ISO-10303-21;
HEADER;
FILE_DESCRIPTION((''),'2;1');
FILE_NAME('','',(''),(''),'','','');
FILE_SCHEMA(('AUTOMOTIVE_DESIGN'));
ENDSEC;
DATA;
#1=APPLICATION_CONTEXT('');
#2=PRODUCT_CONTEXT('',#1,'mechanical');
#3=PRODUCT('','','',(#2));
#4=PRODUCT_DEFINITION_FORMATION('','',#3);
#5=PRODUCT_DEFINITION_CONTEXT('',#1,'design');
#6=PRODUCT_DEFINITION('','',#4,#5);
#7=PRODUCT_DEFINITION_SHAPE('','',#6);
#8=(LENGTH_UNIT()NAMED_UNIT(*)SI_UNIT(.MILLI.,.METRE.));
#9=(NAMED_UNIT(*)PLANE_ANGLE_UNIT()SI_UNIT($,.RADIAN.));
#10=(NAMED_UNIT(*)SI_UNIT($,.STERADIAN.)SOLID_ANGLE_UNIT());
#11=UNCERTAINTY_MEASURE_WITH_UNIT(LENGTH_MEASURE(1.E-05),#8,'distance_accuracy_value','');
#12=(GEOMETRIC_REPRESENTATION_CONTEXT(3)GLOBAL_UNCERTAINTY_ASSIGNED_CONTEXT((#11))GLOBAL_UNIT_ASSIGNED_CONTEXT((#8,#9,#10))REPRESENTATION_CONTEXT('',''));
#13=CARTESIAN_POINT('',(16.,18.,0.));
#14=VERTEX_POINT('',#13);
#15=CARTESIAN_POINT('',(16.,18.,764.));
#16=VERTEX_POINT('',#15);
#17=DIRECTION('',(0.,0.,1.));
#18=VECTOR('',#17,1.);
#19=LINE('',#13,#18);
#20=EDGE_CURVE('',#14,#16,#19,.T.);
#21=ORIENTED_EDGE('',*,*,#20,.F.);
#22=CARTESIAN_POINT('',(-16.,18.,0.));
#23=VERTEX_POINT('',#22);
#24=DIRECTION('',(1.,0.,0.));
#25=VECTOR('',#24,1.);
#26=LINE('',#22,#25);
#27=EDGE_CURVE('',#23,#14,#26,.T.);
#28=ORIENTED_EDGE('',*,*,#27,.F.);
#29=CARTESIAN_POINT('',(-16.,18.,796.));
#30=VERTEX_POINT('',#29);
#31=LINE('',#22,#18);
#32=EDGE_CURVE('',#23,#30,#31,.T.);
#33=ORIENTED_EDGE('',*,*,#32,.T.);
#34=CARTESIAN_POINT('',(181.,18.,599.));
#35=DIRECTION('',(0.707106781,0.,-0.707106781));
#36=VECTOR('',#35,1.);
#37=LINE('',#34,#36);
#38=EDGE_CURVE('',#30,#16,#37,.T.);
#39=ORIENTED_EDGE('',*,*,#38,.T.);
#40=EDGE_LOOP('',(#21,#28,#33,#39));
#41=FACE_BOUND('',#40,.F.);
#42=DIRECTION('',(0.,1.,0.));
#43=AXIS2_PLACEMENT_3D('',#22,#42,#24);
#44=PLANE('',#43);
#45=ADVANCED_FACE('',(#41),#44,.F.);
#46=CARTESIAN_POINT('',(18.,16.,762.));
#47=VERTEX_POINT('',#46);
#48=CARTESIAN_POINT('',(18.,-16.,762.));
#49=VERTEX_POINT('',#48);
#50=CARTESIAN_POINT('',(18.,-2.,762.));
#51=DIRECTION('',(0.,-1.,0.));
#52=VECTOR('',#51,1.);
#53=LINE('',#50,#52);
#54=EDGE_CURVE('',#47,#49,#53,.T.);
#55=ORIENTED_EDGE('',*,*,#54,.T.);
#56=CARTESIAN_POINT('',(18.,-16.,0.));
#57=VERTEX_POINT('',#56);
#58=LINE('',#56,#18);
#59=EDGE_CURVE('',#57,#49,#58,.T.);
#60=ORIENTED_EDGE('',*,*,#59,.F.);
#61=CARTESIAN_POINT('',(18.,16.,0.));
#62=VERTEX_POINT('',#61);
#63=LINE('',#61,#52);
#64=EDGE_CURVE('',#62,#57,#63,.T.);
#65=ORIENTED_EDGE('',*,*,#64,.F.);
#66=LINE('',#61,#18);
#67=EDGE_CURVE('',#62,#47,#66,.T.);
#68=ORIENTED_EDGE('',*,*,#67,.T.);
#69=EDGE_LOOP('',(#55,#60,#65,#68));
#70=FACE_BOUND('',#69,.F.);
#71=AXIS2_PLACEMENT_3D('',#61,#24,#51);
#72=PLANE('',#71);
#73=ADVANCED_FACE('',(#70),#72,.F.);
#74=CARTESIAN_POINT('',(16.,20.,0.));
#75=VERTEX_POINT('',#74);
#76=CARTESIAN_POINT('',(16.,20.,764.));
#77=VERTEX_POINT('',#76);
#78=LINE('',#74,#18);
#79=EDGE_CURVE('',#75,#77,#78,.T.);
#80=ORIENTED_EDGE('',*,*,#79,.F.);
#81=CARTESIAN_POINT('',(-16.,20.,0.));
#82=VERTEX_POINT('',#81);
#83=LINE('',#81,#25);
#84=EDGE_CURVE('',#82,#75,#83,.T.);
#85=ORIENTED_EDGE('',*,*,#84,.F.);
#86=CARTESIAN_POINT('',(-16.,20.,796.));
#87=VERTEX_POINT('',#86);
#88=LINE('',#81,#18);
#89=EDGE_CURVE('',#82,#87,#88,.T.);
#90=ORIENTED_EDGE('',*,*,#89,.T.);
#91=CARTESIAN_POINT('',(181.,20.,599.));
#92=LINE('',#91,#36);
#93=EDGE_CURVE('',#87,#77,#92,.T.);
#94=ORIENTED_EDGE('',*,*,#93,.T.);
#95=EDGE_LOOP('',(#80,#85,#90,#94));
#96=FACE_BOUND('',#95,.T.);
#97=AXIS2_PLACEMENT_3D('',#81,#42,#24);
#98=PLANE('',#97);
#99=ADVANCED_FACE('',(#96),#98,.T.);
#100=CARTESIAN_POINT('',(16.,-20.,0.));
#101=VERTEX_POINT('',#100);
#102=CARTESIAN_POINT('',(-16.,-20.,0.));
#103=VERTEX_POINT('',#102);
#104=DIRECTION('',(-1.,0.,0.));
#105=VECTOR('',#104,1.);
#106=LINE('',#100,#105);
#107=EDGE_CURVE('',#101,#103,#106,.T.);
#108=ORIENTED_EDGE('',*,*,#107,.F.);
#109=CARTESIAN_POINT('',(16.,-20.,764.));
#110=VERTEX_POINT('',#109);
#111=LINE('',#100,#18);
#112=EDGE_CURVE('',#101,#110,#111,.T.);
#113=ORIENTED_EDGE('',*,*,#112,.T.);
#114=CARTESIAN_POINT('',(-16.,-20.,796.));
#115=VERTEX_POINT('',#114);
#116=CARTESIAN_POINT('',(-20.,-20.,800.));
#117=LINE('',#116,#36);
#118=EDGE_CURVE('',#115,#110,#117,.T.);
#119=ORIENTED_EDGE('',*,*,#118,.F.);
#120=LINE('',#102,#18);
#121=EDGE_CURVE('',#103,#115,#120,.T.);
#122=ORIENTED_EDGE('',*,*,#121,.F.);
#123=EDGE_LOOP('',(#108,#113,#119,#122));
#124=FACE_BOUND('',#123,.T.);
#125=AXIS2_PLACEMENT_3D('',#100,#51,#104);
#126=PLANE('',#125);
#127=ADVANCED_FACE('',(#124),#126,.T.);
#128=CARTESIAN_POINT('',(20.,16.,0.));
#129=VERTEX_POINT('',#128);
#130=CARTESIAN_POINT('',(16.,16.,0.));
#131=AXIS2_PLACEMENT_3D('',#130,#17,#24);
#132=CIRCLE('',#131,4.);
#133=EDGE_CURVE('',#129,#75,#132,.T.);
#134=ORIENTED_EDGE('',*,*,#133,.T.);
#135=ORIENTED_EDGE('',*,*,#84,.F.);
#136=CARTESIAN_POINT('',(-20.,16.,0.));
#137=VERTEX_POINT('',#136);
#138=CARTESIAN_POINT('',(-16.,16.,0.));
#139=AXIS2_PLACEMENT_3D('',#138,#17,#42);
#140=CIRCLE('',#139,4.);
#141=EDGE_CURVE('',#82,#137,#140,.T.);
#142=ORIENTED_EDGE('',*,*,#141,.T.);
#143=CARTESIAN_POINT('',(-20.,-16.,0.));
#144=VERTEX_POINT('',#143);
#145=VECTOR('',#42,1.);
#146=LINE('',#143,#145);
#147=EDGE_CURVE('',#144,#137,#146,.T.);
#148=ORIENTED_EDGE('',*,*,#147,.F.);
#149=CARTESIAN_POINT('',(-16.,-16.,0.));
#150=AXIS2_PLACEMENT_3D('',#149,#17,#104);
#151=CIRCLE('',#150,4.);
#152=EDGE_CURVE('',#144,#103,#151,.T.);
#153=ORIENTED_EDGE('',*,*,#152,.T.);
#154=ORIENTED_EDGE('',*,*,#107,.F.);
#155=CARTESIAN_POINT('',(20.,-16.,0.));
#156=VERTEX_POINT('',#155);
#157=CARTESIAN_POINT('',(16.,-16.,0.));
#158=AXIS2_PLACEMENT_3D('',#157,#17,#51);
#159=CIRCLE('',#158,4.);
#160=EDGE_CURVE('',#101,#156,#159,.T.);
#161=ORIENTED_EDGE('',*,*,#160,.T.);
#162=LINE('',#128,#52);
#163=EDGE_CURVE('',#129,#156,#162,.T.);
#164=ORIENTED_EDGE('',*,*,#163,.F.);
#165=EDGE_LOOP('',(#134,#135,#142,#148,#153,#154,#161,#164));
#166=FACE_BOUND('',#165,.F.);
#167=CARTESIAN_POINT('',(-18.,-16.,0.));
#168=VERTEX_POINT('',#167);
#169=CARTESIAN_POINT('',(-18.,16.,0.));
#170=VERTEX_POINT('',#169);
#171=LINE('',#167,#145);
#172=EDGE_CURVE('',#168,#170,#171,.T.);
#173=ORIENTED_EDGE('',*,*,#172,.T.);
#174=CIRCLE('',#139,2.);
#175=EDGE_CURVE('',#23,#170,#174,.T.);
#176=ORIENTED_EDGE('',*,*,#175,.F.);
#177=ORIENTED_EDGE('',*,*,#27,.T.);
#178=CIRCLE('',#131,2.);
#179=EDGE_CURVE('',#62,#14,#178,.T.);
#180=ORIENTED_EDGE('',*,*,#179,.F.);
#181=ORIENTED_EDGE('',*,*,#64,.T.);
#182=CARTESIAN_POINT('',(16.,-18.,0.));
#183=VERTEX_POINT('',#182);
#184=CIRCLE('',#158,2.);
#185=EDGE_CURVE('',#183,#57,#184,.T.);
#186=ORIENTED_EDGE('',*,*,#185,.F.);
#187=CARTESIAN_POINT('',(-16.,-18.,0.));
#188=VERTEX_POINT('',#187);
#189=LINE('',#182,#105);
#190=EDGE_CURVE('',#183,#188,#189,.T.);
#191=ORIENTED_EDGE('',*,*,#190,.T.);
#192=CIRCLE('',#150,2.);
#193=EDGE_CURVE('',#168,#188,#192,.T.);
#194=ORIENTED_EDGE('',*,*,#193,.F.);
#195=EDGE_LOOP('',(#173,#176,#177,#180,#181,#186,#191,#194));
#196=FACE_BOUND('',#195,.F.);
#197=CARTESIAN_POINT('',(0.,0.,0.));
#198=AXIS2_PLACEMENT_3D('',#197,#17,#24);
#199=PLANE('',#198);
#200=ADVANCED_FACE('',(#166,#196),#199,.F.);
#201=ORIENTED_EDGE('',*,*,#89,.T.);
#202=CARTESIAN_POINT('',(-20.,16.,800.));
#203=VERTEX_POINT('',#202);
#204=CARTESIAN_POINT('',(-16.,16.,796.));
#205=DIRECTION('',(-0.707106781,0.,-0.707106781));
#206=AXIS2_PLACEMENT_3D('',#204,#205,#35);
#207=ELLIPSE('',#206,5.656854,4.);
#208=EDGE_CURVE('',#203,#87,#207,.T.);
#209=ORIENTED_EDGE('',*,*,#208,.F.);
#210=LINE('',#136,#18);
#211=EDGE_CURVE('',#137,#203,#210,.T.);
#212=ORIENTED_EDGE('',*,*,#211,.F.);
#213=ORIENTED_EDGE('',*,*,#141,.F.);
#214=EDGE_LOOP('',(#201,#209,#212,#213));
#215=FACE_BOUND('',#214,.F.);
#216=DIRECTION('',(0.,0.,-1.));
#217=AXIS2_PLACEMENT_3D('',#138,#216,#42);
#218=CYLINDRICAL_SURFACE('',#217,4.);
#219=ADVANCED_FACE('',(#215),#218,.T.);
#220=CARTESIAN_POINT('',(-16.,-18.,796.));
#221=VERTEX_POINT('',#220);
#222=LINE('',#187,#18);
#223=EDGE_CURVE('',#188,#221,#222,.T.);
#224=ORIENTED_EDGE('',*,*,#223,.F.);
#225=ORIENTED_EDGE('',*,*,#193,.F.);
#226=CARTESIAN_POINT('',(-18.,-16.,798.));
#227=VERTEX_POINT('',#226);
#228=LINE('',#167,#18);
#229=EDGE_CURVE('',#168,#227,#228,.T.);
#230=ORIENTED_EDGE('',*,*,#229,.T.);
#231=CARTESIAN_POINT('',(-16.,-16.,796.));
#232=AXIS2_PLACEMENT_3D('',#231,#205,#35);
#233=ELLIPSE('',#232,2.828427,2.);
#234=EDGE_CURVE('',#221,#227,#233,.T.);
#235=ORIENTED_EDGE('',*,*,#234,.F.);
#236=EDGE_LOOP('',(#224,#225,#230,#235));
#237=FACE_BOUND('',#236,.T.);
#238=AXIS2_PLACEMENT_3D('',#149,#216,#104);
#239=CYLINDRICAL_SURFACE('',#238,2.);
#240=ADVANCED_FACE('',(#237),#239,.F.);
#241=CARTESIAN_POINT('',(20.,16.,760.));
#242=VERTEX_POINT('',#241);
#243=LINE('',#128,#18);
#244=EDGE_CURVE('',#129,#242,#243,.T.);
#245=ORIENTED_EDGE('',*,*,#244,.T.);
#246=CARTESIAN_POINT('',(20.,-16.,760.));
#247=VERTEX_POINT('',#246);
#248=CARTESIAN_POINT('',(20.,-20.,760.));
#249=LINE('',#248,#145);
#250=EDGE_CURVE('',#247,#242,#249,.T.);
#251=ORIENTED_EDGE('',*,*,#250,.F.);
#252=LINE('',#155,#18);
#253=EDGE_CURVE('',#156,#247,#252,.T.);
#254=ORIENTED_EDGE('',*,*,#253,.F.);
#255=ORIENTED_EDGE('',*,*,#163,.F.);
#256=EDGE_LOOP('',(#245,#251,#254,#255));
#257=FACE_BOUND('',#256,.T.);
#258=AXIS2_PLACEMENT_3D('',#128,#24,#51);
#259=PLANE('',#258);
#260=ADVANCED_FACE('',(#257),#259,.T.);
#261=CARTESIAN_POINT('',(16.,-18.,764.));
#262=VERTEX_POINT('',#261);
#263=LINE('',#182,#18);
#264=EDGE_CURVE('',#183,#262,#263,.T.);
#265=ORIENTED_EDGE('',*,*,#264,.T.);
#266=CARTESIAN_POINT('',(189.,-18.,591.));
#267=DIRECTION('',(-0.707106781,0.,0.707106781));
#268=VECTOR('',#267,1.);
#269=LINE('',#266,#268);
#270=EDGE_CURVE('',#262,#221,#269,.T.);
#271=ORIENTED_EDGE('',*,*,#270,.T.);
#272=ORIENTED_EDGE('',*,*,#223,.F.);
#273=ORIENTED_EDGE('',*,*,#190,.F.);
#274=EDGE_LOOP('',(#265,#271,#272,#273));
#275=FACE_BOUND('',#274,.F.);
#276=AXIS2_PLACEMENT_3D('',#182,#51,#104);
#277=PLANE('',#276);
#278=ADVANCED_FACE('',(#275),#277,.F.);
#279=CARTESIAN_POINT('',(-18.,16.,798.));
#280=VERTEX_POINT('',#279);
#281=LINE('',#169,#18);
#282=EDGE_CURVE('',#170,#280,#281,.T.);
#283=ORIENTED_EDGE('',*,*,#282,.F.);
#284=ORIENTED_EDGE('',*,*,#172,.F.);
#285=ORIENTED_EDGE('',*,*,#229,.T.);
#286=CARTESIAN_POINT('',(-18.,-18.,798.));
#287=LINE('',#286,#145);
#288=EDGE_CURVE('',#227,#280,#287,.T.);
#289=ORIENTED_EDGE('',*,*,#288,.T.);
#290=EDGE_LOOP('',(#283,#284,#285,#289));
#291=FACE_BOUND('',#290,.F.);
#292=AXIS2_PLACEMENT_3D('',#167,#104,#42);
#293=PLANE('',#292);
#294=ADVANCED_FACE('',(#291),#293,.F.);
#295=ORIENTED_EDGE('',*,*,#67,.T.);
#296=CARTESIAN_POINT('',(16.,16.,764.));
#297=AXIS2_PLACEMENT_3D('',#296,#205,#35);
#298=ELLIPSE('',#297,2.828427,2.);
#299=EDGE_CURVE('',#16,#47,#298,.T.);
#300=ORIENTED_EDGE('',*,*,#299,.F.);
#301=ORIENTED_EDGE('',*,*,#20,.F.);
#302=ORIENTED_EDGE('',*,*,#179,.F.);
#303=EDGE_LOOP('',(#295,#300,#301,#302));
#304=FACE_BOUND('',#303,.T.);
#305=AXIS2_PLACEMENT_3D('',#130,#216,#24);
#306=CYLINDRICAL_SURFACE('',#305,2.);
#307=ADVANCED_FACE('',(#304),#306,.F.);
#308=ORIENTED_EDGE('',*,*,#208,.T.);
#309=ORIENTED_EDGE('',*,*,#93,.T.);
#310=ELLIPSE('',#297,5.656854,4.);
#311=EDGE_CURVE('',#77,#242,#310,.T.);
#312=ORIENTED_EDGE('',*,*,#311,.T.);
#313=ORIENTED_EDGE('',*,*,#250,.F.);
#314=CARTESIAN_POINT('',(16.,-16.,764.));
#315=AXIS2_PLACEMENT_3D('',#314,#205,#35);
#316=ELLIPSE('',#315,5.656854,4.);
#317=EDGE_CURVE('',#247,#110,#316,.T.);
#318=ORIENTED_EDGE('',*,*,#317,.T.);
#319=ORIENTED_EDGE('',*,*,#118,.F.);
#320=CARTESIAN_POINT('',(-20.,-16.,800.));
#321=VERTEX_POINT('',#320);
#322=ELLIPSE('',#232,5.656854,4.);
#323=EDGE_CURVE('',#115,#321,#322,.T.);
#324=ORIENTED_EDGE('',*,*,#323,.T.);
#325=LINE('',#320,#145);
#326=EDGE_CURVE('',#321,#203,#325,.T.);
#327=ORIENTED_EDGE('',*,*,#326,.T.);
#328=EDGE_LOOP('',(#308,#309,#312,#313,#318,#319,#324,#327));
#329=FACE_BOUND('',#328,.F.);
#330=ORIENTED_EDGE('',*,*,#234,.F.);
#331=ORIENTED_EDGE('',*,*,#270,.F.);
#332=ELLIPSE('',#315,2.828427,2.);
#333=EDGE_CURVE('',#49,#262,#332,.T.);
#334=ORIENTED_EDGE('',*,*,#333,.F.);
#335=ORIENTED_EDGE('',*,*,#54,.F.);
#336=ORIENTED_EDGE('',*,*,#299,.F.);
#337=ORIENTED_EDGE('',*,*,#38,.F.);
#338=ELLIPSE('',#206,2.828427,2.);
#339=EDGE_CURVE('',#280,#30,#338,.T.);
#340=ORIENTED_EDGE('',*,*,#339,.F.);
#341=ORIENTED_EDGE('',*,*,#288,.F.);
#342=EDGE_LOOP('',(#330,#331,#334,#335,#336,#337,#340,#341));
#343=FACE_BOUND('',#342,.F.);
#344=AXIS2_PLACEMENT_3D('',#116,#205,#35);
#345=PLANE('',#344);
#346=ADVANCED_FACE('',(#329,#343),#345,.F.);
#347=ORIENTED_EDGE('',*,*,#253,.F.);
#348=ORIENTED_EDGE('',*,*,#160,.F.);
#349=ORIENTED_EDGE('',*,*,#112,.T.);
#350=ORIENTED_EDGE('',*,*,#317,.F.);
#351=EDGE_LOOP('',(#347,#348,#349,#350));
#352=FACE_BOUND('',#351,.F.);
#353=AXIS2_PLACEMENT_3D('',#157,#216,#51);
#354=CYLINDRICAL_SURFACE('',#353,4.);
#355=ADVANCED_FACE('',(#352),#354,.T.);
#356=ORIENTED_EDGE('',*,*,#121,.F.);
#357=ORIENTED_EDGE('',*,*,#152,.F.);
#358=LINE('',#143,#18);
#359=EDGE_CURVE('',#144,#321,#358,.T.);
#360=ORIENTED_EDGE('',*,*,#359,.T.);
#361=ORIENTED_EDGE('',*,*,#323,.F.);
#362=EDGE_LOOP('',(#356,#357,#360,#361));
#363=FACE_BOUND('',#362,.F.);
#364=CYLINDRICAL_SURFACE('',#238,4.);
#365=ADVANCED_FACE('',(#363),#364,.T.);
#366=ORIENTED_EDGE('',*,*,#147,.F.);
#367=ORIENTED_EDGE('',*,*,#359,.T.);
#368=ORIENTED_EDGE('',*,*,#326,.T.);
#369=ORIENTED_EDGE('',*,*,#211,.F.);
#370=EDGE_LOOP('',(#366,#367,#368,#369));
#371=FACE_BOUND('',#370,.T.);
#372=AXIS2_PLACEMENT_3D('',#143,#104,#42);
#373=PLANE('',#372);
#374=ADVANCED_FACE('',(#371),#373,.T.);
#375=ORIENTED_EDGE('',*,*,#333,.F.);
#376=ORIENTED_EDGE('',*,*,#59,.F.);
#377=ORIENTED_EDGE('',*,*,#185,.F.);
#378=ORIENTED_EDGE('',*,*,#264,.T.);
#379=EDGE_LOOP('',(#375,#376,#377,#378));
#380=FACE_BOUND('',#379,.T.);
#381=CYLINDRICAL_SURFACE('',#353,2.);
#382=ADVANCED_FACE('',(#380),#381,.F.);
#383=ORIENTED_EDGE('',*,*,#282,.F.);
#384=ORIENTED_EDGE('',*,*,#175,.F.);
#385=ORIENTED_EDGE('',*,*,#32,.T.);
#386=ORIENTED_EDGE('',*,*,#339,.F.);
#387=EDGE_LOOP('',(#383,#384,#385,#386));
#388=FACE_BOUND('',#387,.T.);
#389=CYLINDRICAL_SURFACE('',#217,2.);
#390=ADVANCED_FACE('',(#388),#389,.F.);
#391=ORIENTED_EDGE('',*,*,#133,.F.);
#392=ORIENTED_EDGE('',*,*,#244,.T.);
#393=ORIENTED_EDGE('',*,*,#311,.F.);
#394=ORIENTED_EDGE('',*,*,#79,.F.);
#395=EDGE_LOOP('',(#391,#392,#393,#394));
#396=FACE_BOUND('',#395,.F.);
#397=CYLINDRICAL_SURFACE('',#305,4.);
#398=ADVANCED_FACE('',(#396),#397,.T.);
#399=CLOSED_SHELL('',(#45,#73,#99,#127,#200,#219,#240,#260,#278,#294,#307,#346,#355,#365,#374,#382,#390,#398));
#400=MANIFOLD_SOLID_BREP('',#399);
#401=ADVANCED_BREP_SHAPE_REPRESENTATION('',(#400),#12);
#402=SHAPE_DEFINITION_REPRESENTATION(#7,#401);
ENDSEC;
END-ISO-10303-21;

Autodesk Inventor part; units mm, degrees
ref_plane "YZ Plane" through (0, 0, 0) normal (1, 0, 0) x (0, 1, 0)
ref_plane "Piano iniziale" through (0, 0, 0) normal (0, 0, 1) x (1, 0, 0)
ref_plane "Piano finale" through (0, 0, 800) normal (0, 0, 1) x (1, 0, 0)
sketch "Schizzo" plane through (0, 0, 0) normal (0, 0, 1) x (1, 0, 0)
  line L0 (-20, -16) -> (-20, 16)
  line L1 (-16, 20) -> (16, 20)
  line L2 (20, 16) -> (20, -16)
  line L3 (16, -20) -> (-16, -20)
  arc A0 (-20, -16) -> (-16, -20) centre (-16, -16) ccw
  arc A1 (20, 16) -> (16, 20) centre (16, 16) ccw
  arc A2 (-16, 20) -> (-20, 16) centre (-16, 16) ccw
  arc A3 (16, -20) -> (20, -16) centre (16, -16) ccw
  arc A4 (-16, 18) -> (-18, 16) centre (-16, 16) ccw
  line L4 (-16, 18) -> (16, 18)
  arc A5 (18, 16) -> (16, 18) centre (16, 16) ccw
  line L5 (18, 16) -> (18, -16)
  arc A6 (16, -18) -> (18, -16) centre (16, -16) ccw
  line L6 (16, -18) -> (-16, -18)
  arc A7 (-18, -16) -> (-16, -18) centre (-16, -16) ccw
  line L7 (-18, -16) -> (-18, 16)
  line L8 (0, 37.1021) -> (0, -37.1021) construction
  line L9 (-23.1021, 0) -> (23.1021, 0) construction
  dimension "d7" = 4
  dimension "d9" = 40
  dimension "d11" = 40
  dimension "d12" = 2
  dimension "d15" = 20
  dimension "d16" = 20
extrude "Corpo" add sketch "Schizzo" along normal up to surface (800 mm away) from surface at 0
sketch "Sketch3" plane through (0, 0, 0) normal (0, 0, 1) x (1, 0, 0)
  line L0 (0, 0) -> (10, 0)
ref_plane "Work Plane3" through (0, 0, 0) normal (0, -1, 0) x (1, 0, 0)
sketch "Sketch4" plane through (0, 0, 0) normal (0, -1, 0) x (1, 0, 0)
  line L0 (-2, 0) -> (12, 0)
  line L1 (-2, 800) -> (12, 800)
  dimension "d18" = 800
sketch "Schizzo5" plane through (-16, -20, 0) normal (0, -1, 0) x (1, 0, 0)
  line L0 (-4, 0) -> (-4, 800) projected
  line L1 (-4, 800) -> (0, 800) projected
  line L2 (-4, 800) -> (40.4052, 755.5948)
  line L3 (-4, 800) -> (58.7984, 800) construction
  line L4 (40.4052, 755.5948) -> (40.4052, 812.363)
  line L5 (36, 0) -> (36, 800) projected
  line L6 (40.4052, 812.363) -> (-4, 800)
  point P0 (16, 0)
  dimension "d19" = 45
extrude "Estrusione2" cut sketch "Schizzo5" against normal up to next
equation "\"d7\" = G_IR"
equation "\"d9\" = G_W"
equation "\"d11\" = G_H"
equation "\"d12\" = G_T"
equation "\"d15\" = 0.5 * d9"
equation "\"d16\" = 0.5 * d11"
equation "\"d3\" = G_L"
equation "\"G_W\" = 40"
equation "\"G_H\" = 40"
equation "\"G_T\" = 2"
equation "\"G_IR\" = 4"
equation "\"G_L\" = d18"
equation "\"G_OFFSET_START\" = 0"
equation "\"G_OFFSET_END\" = 0"
properties part number "ISO 10799-2 - 40x40x2 - 800" material "Acciaio, Dolce"
